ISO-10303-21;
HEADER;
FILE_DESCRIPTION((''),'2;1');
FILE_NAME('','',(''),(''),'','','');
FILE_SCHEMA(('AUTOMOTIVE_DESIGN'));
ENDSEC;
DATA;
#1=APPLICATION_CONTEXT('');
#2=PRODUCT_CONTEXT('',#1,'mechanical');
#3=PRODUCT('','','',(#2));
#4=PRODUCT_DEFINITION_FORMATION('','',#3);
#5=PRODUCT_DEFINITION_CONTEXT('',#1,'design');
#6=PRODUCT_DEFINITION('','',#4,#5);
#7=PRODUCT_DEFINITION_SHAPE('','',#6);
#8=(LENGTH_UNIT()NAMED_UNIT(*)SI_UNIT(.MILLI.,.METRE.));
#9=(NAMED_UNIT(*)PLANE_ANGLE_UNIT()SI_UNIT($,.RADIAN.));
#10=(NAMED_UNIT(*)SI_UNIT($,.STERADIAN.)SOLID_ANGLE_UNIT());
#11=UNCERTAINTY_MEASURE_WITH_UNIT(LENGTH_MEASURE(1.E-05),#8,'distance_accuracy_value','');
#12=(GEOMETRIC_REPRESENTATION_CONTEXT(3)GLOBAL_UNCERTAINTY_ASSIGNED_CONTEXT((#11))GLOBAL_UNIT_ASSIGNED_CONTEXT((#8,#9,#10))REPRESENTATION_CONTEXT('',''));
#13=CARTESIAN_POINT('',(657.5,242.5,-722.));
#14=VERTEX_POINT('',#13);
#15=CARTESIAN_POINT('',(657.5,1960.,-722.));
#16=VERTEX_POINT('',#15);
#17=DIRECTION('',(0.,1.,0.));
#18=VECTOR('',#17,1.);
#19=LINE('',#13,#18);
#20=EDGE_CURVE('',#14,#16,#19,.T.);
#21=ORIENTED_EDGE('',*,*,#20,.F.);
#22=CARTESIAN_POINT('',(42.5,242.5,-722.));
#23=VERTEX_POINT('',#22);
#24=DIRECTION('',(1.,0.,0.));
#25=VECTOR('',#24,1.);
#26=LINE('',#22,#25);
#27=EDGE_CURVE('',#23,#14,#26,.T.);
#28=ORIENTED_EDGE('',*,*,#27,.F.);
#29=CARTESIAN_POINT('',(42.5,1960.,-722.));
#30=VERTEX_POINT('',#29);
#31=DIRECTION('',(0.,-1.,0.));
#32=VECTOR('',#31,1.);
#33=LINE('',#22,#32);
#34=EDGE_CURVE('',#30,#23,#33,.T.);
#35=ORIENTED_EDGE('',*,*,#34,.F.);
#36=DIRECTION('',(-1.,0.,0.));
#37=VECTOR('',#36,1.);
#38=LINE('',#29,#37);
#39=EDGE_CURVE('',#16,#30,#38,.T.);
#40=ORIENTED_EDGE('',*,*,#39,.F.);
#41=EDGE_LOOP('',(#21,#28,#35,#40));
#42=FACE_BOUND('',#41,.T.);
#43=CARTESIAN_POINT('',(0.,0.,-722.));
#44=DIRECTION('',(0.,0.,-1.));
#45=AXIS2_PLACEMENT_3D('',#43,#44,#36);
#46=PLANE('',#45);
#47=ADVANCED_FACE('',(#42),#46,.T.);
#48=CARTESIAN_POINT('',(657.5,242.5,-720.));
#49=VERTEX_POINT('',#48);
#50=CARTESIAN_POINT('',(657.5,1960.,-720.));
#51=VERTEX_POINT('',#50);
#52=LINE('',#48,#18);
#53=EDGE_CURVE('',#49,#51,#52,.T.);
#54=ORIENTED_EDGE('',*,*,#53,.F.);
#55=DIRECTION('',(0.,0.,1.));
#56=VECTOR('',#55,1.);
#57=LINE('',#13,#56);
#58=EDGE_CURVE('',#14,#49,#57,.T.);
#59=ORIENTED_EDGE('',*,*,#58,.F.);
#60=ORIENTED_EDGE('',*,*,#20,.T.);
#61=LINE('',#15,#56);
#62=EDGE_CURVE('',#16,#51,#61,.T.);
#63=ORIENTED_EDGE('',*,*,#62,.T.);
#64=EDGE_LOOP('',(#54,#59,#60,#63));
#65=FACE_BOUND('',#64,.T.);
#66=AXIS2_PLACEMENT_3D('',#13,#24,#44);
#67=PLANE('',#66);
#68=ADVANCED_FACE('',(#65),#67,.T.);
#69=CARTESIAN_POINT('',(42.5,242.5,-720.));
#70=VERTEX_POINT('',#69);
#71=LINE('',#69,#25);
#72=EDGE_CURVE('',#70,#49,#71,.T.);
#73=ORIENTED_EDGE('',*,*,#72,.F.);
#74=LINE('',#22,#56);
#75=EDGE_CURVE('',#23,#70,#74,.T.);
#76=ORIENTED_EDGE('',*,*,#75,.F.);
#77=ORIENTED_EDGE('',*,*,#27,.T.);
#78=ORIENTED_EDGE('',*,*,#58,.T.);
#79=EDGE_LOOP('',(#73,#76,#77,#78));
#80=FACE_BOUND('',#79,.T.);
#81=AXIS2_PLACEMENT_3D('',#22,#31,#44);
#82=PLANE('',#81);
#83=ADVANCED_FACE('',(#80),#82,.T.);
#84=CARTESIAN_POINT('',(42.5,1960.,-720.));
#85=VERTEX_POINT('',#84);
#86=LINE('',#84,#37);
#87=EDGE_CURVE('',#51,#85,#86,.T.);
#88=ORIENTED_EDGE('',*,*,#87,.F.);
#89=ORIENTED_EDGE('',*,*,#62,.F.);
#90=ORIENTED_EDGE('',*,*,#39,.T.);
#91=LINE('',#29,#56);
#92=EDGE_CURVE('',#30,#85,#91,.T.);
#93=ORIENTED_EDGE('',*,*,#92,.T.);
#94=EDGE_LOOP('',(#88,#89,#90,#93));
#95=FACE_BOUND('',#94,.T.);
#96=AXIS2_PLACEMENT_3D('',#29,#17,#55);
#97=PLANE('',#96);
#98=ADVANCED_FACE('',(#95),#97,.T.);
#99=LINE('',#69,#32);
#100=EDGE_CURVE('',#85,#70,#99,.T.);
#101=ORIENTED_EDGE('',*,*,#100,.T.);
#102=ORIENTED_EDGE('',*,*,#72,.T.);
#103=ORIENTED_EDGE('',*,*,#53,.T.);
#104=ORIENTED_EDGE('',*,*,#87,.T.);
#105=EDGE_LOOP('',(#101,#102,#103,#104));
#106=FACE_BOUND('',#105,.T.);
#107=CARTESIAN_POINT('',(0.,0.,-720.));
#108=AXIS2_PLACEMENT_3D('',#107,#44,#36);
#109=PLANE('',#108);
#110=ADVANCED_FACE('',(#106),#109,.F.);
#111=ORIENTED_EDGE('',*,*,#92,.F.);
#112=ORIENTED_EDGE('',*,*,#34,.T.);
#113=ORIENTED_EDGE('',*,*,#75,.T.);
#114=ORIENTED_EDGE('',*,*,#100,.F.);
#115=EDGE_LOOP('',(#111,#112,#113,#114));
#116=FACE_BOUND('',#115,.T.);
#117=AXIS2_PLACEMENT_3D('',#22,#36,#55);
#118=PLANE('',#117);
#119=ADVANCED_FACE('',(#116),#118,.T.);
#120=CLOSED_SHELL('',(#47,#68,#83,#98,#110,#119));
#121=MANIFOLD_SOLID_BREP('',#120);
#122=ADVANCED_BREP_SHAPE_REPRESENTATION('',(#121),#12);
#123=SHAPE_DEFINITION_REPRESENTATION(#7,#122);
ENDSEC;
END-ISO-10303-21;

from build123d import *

# Parameters (mm, degrees)
TOPPING_ARKA_DUVAR_KAPAK_SACI_1_START = -720
SKETCH1_W                             = 615
SKETCH1_H                             = 1717.5
TOPPING_ARKA_DUVAR_KAPAK_SACI_1_DEPTH = 2


with BuildPart() as part:
    # Sketch1 → TOPPING_arka_duvar_kapak_saci_1 (new body)
    with BuildSketch(Plane.XY.offset(TOPPING_ARKA_DUVAR_KAPAK_SACI_1_START)):
        with Locations((350, 1101.25)):
            Rectangle(SKETCH1_W, SKETCH1_H)
    extrude(amount=-TOPPING_ARKA_DUVAR_KAPAK_SACI_1_DEPTH)


solid = part.part
